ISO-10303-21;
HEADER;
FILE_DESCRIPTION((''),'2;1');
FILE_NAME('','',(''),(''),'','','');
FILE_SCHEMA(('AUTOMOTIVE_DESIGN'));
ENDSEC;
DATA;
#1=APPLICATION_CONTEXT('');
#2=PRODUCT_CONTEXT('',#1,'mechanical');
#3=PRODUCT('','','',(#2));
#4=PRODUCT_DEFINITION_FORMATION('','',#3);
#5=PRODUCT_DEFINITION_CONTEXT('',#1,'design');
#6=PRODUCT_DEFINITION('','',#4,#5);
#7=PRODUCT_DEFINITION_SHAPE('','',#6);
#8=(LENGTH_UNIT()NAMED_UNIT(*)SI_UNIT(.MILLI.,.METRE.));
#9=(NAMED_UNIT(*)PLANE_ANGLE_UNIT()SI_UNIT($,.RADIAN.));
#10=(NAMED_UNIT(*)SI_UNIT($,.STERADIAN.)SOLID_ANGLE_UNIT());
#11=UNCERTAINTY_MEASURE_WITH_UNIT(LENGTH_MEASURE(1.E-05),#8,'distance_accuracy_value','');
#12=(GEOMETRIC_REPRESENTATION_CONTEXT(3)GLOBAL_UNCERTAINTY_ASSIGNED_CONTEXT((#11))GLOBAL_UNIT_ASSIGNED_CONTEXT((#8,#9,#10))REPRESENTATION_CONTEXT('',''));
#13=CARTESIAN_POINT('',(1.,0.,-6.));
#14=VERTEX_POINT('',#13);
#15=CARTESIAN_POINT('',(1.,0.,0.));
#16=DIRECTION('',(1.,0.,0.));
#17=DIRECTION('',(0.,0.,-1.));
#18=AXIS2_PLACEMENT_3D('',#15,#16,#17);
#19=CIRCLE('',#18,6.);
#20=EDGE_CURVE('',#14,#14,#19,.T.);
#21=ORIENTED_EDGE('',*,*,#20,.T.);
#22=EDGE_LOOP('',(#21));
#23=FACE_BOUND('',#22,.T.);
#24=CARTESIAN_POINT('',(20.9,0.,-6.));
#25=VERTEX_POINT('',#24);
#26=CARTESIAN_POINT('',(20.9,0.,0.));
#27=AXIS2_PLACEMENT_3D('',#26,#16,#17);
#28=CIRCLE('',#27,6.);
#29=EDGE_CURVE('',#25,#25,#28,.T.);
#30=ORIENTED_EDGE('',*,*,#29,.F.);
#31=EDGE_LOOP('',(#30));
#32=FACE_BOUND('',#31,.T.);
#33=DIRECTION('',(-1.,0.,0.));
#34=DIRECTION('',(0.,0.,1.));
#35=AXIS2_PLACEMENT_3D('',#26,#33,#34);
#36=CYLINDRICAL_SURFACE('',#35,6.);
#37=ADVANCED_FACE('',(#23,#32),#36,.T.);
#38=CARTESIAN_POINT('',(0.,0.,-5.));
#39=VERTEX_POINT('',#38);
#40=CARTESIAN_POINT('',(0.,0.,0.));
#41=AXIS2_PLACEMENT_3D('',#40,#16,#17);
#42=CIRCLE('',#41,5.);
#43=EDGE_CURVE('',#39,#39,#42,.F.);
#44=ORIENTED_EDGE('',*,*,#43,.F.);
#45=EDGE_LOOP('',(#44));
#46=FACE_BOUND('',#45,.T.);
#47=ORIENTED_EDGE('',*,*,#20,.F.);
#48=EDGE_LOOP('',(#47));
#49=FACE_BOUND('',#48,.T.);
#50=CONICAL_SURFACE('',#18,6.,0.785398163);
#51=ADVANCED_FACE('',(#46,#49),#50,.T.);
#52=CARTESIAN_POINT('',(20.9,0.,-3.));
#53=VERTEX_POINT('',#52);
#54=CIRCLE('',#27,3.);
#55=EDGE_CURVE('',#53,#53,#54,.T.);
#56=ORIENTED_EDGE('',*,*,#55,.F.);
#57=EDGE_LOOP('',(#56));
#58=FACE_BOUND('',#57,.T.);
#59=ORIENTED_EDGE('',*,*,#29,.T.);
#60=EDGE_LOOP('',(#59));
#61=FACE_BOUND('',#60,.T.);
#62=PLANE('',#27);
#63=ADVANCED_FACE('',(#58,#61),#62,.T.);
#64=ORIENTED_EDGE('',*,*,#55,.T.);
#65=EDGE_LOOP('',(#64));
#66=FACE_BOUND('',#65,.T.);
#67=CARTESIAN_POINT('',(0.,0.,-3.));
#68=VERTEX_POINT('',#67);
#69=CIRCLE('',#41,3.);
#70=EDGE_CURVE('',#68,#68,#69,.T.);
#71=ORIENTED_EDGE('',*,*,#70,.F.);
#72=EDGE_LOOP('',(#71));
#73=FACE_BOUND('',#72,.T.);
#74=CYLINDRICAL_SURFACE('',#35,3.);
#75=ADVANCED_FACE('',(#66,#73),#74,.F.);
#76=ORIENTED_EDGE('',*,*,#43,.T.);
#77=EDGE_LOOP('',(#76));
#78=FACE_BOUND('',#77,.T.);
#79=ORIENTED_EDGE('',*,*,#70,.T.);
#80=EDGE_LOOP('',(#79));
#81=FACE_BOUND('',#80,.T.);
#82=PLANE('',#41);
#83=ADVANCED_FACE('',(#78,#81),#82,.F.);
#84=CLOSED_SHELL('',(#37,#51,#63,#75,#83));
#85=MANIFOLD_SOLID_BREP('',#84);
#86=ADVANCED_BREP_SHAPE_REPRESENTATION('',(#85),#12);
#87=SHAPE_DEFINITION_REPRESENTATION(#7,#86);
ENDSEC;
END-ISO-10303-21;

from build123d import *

# Parameters (mm, degrees)
SKETCH1_R           = 6
SKETCH1_R_2         = 3
BOSS_EXTRUDE1_DEPTH = 20.9
CHAMFER1_SIZE       = 1


with BuildPart() as part:
    # Sketch1 → Boss-Extrude1 (new body)
    with BuildSketch(Plane(origin=(0, 0, 0), x_dir=(0, 0, -1), z_dir=(1, 0, 0))):
        Circle(SKETCH1_R)
        Circle(SKETCH1_R_2, mode=Mode.SUBTRACT)
    extrude(amount=BOSS_EXTRUDE1_DEPTH)

    # Chamfer1
    chamfer1_edges = [part.edges().sort_by_distance(p)[0] for p in [
        (0, 0, 6),
    ]]
    chamfer(chamfer1_edges, length=CHAMFER1_SIZE)


solid = part.part
